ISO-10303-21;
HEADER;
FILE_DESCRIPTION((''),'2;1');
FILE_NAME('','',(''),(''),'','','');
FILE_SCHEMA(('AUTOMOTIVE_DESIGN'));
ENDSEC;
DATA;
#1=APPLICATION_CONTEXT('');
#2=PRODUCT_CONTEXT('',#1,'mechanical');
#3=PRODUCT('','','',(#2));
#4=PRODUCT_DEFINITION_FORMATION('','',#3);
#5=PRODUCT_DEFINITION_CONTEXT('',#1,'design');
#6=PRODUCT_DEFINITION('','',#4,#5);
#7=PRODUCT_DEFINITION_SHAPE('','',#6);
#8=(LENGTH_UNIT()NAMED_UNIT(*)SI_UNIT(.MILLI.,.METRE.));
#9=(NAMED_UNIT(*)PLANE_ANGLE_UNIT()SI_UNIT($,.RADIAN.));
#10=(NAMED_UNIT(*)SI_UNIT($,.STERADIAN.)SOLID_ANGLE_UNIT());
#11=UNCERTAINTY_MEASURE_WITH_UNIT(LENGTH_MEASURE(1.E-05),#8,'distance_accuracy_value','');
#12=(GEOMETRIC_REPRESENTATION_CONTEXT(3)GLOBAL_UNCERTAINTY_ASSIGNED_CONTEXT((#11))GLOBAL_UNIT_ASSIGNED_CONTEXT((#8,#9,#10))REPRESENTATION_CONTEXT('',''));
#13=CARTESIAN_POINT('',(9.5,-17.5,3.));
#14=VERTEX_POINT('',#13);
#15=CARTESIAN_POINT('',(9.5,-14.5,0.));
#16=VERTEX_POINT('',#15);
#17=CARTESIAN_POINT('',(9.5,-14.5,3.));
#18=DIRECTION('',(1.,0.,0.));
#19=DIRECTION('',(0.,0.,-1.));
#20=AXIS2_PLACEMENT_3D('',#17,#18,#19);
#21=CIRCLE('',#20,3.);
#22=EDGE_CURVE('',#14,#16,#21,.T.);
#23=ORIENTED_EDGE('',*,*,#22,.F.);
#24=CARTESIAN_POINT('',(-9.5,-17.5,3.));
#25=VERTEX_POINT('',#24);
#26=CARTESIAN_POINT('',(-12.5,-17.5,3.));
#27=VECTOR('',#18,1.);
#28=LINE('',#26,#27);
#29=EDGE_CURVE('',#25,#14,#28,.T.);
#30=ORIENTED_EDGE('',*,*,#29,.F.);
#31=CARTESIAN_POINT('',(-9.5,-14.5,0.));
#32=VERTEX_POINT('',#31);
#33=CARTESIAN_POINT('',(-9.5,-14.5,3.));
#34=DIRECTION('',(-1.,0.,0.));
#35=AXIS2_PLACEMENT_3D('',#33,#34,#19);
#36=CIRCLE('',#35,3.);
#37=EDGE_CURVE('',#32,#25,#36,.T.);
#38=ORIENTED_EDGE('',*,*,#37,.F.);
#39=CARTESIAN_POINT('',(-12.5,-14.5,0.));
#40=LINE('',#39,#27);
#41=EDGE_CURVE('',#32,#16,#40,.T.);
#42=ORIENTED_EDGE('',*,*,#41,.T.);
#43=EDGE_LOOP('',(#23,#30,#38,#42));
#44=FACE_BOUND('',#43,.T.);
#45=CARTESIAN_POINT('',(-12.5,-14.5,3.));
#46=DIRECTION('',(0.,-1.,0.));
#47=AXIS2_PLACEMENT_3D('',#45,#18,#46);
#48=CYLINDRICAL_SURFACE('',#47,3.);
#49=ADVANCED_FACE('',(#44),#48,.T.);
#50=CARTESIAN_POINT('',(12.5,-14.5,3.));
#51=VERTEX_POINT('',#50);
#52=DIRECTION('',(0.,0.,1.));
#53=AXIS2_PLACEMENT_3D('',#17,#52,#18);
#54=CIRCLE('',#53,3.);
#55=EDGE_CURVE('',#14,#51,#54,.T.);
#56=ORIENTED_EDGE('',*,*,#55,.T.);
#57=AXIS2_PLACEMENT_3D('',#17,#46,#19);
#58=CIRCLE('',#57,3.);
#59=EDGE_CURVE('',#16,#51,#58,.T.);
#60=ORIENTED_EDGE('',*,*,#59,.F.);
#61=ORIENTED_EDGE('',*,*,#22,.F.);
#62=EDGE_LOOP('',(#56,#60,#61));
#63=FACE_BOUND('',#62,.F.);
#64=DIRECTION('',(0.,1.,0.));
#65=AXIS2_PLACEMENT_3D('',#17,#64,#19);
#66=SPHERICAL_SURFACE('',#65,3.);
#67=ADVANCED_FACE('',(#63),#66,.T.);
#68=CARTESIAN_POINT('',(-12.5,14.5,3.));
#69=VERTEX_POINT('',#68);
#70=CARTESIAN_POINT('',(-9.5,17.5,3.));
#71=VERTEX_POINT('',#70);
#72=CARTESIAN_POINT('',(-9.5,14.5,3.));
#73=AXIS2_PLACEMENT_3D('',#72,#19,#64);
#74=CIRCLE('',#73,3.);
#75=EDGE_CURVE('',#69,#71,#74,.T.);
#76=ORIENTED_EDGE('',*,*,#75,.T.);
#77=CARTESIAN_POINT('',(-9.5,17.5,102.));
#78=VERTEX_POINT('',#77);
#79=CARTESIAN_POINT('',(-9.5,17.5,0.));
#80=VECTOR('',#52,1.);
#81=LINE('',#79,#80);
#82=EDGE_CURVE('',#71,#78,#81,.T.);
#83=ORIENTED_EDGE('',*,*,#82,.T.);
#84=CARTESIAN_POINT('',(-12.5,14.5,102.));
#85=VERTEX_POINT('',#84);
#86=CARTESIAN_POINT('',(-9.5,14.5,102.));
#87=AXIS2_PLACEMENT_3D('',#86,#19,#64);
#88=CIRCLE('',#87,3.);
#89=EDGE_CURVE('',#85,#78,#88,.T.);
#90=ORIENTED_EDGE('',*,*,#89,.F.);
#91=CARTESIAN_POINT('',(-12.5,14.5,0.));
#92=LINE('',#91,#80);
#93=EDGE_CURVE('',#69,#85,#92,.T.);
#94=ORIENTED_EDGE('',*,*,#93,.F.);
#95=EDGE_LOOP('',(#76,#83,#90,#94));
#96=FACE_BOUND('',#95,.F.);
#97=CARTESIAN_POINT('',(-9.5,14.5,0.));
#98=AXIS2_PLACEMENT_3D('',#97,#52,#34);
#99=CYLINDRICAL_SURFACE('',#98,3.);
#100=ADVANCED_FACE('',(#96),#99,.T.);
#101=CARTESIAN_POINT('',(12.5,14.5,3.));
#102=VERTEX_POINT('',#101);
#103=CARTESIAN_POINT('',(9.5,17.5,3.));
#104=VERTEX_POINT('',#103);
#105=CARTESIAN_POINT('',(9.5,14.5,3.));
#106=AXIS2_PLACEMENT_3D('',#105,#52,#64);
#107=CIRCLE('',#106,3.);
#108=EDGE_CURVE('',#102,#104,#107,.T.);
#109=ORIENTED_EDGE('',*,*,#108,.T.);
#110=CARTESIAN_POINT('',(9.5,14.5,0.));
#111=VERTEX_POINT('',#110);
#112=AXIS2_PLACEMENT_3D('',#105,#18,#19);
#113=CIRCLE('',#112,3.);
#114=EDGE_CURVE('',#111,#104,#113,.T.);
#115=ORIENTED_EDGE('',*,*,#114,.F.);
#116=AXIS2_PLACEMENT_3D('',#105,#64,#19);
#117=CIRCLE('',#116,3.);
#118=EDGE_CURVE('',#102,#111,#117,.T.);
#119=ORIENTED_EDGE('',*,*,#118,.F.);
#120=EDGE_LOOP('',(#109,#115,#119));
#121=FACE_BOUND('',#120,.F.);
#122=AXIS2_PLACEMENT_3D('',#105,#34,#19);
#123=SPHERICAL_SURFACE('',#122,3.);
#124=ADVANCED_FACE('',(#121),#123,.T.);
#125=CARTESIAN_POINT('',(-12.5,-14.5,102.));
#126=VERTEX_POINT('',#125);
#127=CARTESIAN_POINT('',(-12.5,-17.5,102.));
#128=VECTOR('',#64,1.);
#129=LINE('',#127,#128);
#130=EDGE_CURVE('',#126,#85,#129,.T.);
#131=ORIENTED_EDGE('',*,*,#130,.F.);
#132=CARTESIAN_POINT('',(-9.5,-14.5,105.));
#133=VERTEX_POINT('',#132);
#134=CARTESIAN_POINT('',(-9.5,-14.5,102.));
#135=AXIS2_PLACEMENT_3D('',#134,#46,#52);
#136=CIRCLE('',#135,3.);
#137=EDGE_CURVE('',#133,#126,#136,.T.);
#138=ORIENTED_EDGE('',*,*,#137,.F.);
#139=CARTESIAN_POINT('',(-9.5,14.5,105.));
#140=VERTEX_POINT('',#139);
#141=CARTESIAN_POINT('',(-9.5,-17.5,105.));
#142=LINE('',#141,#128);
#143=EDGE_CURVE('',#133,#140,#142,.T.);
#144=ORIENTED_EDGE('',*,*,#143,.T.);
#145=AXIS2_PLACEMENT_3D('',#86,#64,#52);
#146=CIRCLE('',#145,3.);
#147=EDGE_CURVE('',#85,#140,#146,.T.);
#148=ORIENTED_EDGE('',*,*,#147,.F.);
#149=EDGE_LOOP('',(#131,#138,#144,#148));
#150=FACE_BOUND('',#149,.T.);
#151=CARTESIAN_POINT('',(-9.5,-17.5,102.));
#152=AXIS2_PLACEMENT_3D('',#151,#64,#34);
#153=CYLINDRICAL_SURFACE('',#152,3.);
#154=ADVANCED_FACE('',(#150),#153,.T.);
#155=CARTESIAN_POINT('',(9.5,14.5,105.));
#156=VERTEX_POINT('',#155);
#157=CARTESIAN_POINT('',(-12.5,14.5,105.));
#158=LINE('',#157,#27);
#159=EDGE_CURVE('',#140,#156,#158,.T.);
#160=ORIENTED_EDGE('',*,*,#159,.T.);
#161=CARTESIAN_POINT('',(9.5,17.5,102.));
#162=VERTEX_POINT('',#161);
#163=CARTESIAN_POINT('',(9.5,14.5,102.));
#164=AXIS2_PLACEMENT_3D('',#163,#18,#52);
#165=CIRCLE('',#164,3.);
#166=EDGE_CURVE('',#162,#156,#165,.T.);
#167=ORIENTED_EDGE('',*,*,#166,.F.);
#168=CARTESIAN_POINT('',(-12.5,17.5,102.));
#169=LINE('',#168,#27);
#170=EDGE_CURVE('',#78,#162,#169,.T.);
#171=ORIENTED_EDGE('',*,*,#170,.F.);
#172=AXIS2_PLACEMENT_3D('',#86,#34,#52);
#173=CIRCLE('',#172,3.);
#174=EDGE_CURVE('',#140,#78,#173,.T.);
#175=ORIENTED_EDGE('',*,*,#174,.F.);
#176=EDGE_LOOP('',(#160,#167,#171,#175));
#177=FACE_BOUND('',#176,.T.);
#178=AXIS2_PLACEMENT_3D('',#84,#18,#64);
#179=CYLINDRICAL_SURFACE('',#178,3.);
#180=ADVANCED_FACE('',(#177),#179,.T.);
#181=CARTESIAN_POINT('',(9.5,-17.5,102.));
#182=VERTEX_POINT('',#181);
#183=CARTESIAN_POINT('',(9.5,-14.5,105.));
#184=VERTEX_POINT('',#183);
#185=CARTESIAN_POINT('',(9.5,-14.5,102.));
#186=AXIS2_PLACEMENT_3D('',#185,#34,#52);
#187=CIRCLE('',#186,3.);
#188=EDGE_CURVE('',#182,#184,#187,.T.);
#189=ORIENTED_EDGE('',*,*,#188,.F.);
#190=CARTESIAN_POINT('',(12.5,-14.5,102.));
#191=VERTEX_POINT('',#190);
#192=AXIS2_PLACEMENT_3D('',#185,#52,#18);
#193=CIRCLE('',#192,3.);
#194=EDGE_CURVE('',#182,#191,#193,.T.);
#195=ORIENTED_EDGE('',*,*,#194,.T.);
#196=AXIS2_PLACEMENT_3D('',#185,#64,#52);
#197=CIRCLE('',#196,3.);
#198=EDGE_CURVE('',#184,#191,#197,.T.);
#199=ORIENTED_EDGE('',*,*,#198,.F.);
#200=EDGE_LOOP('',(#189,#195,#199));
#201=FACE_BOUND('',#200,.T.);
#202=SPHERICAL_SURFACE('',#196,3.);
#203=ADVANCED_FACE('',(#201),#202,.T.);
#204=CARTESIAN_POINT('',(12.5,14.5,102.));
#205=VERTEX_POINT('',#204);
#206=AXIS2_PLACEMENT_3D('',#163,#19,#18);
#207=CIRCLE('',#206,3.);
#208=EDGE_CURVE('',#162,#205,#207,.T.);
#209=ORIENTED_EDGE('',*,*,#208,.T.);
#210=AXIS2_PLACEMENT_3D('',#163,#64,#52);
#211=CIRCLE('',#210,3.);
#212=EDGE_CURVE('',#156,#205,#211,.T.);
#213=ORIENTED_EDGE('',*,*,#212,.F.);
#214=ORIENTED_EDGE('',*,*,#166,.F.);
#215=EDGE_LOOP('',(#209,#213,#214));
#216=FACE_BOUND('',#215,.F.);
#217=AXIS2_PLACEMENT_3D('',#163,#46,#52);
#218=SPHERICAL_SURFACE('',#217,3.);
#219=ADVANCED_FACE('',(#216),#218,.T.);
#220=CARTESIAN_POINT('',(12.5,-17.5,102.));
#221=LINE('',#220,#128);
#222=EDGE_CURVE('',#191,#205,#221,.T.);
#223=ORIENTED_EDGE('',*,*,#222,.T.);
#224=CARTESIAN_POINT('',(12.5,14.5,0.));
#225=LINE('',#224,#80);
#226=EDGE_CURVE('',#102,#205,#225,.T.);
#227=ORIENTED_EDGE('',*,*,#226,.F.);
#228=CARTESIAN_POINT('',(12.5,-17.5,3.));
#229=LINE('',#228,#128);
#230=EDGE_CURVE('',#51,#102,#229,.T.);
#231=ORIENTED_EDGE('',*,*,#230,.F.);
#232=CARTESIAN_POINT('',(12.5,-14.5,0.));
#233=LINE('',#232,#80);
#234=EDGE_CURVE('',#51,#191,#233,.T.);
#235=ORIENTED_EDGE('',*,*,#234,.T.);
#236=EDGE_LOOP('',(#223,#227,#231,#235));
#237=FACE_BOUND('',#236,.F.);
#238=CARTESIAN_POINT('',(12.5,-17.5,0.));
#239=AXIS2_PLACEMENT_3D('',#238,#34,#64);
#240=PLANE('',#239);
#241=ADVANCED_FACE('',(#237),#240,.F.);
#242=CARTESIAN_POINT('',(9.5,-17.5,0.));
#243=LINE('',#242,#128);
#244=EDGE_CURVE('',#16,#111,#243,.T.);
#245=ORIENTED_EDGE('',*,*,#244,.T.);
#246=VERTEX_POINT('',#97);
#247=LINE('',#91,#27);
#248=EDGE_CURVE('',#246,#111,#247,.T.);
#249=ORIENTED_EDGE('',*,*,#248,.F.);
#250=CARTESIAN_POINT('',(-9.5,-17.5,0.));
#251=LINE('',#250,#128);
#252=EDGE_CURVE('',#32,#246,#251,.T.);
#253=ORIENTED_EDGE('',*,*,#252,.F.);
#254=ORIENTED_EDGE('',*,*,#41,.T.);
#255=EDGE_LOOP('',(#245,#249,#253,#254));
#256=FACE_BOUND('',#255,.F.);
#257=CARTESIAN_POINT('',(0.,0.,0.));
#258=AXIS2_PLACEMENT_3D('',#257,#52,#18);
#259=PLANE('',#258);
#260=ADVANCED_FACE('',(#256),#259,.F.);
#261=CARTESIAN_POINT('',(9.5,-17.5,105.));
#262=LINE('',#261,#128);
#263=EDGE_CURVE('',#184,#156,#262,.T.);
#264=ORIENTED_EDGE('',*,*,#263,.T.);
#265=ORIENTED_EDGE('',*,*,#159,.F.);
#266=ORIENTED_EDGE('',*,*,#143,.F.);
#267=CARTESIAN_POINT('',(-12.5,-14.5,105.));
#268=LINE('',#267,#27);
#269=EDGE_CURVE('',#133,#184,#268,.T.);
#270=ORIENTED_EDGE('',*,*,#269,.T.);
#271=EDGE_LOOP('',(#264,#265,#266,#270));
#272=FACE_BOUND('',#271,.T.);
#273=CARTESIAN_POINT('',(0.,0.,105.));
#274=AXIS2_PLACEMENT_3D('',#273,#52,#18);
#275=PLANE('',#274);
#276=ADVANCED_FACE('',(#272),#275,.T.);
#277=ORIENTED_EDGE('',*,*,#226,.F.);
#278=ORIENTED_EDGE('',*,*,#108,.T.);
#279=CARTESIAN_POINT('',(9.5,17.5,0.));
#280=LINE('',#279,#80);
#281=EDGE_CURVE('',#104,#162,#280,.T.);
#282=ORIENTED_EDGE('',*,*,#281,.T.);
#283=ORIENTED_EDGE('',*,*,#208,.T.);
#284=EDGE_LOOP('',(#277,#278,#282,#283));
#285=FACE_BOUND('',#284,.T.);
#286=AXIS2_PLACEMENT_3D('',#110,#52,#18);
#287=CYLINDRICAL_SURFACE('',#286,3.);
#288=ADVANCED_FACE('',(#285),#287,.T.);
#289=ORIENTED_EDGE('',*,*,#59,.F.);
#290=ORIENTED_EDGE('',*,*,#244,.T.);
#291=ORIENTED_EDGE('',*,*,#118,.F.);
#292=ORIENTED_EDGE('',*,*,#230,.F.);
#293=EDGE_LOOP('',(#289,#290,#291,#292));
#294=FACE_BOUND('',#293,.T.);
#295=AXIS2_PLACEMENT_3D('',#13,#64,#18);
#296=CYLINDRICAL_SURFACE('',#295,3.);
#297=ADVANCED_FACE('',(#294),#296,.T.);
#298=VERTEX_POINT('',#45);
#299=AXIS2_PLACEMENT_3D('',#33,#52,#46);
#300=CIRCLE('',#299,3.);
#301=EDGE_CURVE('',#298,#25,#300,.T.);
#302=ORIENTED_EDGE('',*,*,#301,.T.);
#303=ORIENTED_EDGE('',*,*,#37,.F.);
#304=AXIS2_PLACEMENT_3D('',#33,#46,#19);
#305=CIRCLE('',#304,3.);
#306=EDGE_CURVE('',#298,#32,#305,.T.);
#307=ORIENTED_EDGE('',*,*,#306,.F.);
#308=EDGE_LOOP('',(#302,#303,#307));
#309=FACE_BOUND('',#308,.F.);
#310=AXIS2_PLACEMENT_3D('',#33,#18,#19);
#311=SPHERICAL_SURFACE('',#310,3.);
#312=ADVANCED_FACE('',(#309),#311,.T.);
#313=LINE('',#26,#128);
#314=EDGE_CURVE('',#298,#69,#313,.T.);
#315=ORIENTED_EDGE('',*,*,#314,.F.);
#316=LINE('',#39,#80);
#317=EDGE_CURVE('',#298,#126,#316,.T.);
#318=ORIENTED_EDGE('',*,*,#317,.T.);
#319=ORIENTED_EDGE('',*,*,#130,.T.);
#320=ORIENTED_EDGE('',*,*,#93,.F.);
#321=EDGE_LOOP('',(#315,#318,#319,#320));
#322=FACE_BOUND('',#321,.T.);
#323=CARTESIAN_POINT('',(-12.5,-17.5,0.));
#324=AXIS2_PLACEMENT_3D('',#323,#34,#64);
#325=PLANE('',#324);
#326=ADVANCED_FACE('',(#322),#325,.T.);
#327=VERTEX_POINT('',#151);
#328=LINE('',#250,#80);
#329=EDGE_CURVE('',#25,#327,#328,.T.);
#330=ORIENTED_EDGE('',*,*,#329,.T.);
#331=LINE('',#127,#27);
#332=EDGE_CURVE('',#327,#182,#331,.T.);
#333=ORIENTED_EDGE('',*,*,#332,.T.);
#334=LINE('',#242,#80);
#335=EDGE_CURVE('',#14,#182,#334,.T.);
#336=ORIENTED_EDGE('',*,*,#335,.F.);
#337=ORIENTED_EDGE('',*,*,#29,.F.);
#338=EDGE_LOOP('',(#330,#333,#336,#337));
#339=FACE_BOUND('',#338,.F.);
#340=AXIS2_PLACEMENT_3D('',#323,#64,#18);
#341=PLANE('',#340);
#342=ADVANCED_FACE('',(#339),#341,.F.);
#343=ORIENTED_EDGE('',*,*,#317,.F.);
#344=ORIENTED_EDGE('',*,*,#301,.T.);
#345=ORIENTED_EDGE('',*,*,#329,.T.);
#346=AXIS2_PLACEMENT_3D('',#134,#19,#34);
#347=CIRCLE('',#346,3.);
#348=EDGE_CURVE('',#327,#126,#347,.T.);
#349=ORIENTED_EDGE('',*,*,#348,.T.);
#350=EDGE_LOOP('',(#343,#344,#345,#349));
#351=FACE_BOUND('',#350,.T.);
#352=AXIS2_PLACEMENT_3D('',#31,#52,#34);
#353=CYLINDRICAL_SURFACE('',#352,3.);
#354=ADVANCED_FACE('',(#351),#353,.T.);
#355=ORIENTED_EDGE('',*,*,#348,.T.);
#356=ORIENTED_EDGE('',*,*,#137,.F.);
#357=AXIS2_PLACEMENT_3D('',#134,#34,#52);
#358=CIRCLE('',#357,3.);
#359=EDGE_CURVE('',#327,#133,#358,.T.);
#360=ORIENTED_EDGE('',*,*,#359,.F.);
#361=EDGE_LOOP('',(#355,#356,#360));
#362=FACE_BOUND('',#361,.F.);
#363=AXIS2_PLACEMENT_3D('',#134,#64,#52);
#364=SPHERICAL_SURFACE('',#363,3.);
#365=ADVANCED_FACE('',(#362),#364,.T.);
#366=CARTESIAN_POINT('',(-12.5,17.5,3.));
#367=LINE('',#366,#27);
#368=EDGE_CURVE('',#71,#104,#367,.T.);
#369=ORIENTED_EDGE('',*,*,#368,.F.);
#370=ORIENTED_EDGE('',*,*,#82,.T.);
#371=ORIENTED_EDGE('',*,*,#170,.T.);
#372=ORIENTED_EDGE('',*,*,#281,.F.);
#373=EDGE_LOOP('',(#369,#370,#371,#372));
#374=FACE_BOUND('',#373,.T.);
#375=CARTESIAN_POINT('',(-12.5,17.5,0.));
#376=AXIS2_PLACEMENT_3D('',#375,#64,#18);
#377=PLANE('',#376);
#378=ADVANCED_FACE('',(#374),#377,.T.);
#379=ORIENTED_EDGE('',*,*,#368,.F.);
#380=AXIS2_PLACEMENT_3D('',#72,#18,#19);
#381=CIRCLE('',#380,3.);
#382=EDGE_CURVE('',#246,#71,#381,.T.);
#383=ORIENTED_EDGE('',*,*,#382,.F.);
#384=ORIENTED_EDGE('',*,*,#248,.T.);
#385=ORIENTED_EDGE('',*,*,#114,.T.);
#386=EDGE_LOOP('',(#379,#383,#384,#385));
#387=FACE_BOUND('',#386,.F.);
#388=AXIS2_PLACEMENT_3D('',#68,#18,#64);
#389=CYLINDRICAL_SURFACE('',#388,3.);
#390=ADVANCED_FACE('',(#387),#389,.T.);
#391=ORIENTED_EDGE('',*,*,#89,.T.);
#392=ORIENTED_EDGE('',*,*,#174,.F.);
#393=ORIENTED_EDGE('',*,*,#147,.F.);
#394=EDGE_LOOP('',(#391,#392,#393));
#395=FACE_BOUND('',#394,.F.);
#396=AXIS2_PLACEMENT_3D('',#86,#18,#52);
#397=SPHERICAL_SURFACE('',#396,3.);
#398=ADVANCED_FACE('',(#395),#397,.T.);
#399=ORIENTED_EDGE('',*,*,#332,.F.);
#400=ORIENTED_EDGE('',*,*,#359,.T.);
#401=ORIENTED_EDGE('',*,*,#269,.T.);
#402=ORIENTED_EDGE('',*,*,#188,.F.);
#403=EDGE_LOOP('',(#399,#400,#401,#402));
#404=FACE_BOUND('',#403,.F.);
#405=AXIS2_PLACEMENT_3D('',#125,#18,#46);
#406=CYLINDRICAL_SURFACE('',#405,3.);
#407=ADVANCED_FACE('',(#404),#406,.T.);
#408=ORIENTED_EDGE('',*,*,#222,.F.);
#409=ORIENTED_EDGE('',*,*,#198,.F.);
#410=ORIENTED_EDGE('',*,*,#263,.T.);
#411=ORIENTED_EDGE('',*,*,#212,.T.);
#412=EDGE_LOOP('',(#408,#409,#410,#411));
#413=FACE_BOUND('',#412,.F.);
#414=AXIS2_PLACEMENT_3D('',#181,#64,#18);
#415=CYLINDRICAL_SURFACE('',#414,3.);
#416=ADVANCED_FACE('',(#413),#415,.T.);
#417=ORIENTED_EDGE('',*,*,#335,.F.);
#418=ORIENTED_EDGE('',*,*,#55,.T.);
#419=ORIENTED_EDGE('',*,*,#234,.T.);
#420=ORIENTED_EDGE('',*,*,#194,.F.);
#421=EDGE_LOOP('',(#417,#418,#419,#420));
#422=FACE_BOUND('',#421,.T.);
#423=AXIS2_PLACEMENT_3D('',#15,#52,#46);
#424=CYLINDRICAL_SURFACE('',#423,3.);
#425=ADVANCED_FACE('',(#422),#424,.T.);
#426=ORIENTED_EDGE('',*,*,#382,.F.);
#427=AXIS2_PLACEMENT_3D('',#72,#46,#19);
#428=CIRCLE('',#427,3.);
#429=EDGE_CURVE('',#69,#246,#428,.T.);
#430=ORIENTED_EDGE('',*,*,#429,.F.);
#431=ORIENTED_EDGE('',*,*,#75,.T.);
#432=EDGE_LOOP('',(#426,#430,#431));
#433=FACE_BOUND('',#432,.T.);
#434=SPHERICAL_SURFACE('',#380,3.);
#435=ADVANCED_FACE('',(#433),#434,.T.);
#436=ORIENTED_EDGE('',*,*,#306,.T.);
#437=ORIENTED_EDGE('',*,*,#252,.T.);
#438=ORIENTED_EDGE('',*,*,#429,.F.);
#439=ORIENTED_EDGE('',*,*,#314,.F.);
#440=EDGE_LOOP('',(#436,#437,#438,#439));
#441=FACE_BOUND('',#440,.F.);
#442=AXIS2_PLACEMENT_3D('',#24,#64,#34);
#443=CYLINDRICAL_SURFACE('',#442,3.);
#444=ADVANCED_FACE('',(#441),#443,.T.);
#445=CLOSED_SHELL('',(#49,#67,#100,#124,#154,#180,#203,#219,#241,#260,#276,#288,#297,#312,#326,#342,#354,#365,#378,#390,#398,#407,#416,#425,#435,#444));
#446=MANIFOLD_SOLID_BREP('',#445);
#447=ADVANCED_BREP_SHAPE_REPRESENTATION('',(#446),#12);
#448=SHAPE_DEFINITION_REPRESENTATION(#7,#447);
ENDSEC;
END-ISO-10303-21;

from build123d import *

# Parameters (mm, degrees)
SKETCH_2_W      = 25
SKETCH_2_H      = 35
EXTRUDE_1_DEPTH = 105
FILLET_1_R      = 3


with BuildPart() as part:
    # Sketch 2 → Extrude 1 (new body)
    with BuildSketch(Plane.XY):
        Rectangle(SKETCH_2_W, SKETCH_2_H)
    extrude(amount=EXTRUDE_1_DEPTH)

    # Fillet 1
    fillet_1_edges = [part.edges().sort_by_distance(p)[0] for p in [
        (12.5, 0, 105),
        (0, 17.5, 105),
        (-12.5, 0, 105),
        (0, 17.5, 0),
        (12.5, 0, 0),
        (0, -17.5, 0),
        (-12.5, 0, 0),
        (0, -17.5, 105),
        (-12.5, 17.5, 52.5),
        (12.5, 17.5, 52.5),
        (12.5, -17.5, 52.5),
        (-12.5, -17.5, 52.5),
    ]]
    fillet(fillet_1_edges, radius=FILLET_1_R)


solid = part.part
